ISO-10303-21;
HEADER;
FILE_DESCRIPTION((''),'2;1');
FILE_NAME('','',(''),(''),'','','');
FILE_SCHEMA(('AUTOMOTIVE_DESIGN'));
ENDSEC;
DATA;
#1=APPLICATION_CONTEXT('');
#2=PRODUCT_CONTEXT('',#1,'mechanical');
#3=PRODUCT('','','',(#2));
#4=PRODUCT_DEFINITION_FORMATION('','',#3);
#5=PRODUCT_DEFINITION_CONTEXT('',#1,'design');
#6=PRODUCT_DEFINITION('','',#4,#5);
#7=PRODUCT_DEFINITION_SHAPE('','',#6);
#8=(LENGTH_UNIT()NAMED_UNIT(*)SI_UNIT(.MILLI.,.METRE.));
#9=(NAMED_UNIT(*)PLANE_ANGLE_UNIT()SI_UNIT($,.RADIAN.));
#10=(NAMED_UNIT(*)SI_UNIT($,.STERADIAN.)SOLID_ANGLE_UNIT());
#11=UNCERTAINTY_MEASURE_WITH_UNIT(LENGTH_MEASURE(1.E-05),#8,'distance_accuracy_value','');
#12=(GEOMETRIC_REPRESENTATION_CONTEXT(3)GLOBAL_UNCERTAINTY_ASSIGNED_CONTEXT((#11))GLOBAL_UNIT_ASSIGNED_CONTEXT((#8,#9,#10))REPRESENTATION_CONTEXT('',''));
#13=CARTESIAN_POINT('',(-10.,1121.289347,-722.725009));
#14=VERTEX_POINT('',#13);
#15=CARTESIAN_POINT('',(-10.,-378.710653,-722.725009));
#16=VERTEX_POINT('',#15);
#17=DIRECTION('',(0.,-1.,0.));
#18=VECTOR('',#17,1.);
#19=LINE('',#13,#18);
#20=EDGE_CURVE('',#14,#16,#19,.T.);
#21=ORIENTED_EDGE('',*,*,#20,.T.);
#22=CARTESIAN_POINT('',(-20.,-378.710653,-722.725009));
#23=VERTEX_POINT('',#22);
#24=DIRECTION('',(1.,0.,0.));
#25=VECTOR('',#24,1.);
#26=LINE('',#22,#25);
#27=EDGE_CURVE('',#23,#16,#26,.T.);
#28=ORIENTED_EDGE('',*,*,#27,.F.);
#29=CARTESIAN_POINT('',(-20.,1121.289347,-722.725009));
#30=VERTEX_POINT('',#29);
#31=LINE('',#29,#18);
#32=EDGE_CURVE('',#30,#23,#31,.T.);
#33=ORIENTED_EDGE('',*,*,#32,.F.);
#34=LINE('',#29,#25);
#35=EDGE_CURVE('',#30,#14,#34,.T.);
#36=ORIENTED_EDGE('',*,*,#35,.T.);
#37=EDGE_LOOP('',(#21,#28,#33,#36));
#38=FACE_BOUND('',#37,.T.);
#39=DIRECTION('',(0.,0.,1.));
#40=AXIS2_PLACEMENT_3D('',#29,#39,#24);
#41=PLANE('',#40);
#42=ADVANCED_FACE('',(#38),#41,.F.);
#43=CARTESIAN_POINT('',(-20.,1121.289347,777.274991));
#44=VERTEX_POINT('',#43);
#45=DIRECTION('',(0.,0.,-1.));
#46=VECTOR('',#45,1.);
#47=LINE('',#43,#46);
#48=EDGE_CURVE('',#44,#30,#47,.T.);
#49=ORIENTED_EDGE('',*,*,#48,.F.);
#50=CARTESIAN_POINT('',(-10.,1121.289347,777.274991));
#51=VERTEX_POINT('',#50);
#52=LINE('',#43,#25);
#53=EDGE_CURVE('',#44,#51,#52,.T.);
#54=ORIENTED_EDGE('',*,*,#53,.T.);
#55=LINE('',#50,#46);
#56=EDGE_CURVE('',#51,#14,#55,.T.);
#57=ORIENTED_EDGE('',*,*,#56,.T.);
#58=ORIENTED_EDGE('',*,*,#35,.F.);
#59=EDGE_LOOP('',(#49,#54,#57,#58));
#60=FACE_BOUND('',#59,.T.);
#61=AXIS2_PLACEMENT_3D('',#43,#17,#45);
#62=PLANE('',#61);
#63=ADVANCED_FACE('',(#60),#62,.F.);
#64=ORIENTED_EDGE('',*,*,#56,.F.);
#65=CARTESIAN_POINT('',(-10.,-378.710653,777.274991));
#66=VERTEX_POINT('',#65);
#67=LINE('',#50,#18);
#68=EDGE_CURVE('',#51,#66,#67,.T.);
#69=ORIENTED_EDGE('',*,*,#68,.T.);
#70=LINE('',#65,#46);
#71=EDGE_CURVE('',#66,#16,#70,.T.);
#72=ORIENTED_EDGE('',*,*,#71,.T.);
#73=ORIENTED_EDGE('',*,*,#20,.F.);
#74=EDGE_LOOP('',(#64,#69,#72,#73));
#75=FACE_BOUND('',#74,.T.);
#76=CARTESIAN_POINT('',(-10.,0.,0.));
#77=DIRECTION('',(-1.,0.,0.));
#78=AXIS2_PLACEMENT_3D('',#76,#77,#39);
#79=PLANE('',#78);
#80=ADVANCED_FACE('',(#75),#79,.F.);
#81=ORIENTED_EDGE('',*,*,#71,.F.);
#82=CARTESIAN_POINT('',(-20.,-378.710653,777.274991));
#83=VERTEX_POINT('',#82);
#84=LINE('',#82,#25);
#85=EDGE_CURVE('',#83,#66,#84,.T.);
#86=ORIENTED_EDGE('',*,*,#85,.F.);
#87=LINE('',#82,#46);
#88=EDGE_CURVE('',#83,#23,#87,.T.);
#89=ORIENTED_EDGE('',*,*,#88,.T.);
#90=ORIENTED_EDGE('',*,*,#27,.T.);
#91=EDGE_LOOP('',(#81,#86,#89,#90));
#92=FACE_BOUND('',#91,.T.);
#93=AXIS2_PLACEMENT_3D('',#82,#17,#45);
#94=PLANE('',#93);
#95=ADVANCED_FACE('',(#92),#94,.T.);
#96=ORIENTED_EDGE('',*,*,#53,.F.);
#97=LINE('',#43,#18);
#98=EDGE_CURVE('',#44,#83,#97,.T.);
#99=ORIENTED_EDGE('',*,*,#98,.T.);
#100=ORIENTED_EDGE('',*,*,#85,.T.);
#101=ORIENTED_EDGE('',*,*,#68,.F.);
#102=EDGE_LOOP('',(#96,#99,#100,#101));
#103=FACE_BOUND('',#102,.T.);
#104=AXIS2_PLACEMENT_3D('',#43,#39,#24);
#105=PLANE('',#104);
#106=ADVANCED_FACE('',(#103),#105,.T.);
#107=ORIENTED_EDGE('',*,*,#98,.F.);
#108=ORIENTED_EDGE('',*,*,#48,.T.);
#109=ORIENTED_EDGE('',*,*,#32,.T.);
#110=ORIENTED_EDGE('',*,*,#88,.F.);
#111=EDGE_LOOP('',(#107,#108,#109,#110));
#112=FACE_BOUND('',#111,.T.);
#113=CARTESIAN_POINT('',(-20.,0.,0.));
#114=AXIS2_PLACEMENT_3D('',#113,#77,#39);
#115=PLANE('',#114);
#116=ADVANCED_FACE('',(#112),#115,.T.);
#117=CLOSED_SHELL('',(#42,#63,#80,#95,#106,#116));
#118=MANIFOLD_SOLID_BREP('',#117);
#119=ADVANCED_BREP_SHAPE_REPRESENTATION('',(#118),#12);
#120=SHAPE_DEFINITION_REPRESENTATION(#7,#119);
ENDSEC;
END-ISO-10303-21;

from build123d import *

# Parameters (mm, degrees)
BOSS_EXTRU_2_DEPTH = 10


with BuildPart() as part:
    # Esquisse3D1 → Boss.-Extru.2 (new body)
    with BuildSketch(Plane(origin=(-20, 1121.289346724, 777.274991403), x_dir=(0, -0.7071067811865476, -0.7071067811865476), z_dir=(1, 0, 0))):
        Polygon((0, 0), (1060.66017178, 1060.66017178), (2121.32034356, 0), (1060.66017178, -1060.66017178), align=None)
    extrude(amount=BOSS_EXTRU_2_DEPTH)


solid = part.part
